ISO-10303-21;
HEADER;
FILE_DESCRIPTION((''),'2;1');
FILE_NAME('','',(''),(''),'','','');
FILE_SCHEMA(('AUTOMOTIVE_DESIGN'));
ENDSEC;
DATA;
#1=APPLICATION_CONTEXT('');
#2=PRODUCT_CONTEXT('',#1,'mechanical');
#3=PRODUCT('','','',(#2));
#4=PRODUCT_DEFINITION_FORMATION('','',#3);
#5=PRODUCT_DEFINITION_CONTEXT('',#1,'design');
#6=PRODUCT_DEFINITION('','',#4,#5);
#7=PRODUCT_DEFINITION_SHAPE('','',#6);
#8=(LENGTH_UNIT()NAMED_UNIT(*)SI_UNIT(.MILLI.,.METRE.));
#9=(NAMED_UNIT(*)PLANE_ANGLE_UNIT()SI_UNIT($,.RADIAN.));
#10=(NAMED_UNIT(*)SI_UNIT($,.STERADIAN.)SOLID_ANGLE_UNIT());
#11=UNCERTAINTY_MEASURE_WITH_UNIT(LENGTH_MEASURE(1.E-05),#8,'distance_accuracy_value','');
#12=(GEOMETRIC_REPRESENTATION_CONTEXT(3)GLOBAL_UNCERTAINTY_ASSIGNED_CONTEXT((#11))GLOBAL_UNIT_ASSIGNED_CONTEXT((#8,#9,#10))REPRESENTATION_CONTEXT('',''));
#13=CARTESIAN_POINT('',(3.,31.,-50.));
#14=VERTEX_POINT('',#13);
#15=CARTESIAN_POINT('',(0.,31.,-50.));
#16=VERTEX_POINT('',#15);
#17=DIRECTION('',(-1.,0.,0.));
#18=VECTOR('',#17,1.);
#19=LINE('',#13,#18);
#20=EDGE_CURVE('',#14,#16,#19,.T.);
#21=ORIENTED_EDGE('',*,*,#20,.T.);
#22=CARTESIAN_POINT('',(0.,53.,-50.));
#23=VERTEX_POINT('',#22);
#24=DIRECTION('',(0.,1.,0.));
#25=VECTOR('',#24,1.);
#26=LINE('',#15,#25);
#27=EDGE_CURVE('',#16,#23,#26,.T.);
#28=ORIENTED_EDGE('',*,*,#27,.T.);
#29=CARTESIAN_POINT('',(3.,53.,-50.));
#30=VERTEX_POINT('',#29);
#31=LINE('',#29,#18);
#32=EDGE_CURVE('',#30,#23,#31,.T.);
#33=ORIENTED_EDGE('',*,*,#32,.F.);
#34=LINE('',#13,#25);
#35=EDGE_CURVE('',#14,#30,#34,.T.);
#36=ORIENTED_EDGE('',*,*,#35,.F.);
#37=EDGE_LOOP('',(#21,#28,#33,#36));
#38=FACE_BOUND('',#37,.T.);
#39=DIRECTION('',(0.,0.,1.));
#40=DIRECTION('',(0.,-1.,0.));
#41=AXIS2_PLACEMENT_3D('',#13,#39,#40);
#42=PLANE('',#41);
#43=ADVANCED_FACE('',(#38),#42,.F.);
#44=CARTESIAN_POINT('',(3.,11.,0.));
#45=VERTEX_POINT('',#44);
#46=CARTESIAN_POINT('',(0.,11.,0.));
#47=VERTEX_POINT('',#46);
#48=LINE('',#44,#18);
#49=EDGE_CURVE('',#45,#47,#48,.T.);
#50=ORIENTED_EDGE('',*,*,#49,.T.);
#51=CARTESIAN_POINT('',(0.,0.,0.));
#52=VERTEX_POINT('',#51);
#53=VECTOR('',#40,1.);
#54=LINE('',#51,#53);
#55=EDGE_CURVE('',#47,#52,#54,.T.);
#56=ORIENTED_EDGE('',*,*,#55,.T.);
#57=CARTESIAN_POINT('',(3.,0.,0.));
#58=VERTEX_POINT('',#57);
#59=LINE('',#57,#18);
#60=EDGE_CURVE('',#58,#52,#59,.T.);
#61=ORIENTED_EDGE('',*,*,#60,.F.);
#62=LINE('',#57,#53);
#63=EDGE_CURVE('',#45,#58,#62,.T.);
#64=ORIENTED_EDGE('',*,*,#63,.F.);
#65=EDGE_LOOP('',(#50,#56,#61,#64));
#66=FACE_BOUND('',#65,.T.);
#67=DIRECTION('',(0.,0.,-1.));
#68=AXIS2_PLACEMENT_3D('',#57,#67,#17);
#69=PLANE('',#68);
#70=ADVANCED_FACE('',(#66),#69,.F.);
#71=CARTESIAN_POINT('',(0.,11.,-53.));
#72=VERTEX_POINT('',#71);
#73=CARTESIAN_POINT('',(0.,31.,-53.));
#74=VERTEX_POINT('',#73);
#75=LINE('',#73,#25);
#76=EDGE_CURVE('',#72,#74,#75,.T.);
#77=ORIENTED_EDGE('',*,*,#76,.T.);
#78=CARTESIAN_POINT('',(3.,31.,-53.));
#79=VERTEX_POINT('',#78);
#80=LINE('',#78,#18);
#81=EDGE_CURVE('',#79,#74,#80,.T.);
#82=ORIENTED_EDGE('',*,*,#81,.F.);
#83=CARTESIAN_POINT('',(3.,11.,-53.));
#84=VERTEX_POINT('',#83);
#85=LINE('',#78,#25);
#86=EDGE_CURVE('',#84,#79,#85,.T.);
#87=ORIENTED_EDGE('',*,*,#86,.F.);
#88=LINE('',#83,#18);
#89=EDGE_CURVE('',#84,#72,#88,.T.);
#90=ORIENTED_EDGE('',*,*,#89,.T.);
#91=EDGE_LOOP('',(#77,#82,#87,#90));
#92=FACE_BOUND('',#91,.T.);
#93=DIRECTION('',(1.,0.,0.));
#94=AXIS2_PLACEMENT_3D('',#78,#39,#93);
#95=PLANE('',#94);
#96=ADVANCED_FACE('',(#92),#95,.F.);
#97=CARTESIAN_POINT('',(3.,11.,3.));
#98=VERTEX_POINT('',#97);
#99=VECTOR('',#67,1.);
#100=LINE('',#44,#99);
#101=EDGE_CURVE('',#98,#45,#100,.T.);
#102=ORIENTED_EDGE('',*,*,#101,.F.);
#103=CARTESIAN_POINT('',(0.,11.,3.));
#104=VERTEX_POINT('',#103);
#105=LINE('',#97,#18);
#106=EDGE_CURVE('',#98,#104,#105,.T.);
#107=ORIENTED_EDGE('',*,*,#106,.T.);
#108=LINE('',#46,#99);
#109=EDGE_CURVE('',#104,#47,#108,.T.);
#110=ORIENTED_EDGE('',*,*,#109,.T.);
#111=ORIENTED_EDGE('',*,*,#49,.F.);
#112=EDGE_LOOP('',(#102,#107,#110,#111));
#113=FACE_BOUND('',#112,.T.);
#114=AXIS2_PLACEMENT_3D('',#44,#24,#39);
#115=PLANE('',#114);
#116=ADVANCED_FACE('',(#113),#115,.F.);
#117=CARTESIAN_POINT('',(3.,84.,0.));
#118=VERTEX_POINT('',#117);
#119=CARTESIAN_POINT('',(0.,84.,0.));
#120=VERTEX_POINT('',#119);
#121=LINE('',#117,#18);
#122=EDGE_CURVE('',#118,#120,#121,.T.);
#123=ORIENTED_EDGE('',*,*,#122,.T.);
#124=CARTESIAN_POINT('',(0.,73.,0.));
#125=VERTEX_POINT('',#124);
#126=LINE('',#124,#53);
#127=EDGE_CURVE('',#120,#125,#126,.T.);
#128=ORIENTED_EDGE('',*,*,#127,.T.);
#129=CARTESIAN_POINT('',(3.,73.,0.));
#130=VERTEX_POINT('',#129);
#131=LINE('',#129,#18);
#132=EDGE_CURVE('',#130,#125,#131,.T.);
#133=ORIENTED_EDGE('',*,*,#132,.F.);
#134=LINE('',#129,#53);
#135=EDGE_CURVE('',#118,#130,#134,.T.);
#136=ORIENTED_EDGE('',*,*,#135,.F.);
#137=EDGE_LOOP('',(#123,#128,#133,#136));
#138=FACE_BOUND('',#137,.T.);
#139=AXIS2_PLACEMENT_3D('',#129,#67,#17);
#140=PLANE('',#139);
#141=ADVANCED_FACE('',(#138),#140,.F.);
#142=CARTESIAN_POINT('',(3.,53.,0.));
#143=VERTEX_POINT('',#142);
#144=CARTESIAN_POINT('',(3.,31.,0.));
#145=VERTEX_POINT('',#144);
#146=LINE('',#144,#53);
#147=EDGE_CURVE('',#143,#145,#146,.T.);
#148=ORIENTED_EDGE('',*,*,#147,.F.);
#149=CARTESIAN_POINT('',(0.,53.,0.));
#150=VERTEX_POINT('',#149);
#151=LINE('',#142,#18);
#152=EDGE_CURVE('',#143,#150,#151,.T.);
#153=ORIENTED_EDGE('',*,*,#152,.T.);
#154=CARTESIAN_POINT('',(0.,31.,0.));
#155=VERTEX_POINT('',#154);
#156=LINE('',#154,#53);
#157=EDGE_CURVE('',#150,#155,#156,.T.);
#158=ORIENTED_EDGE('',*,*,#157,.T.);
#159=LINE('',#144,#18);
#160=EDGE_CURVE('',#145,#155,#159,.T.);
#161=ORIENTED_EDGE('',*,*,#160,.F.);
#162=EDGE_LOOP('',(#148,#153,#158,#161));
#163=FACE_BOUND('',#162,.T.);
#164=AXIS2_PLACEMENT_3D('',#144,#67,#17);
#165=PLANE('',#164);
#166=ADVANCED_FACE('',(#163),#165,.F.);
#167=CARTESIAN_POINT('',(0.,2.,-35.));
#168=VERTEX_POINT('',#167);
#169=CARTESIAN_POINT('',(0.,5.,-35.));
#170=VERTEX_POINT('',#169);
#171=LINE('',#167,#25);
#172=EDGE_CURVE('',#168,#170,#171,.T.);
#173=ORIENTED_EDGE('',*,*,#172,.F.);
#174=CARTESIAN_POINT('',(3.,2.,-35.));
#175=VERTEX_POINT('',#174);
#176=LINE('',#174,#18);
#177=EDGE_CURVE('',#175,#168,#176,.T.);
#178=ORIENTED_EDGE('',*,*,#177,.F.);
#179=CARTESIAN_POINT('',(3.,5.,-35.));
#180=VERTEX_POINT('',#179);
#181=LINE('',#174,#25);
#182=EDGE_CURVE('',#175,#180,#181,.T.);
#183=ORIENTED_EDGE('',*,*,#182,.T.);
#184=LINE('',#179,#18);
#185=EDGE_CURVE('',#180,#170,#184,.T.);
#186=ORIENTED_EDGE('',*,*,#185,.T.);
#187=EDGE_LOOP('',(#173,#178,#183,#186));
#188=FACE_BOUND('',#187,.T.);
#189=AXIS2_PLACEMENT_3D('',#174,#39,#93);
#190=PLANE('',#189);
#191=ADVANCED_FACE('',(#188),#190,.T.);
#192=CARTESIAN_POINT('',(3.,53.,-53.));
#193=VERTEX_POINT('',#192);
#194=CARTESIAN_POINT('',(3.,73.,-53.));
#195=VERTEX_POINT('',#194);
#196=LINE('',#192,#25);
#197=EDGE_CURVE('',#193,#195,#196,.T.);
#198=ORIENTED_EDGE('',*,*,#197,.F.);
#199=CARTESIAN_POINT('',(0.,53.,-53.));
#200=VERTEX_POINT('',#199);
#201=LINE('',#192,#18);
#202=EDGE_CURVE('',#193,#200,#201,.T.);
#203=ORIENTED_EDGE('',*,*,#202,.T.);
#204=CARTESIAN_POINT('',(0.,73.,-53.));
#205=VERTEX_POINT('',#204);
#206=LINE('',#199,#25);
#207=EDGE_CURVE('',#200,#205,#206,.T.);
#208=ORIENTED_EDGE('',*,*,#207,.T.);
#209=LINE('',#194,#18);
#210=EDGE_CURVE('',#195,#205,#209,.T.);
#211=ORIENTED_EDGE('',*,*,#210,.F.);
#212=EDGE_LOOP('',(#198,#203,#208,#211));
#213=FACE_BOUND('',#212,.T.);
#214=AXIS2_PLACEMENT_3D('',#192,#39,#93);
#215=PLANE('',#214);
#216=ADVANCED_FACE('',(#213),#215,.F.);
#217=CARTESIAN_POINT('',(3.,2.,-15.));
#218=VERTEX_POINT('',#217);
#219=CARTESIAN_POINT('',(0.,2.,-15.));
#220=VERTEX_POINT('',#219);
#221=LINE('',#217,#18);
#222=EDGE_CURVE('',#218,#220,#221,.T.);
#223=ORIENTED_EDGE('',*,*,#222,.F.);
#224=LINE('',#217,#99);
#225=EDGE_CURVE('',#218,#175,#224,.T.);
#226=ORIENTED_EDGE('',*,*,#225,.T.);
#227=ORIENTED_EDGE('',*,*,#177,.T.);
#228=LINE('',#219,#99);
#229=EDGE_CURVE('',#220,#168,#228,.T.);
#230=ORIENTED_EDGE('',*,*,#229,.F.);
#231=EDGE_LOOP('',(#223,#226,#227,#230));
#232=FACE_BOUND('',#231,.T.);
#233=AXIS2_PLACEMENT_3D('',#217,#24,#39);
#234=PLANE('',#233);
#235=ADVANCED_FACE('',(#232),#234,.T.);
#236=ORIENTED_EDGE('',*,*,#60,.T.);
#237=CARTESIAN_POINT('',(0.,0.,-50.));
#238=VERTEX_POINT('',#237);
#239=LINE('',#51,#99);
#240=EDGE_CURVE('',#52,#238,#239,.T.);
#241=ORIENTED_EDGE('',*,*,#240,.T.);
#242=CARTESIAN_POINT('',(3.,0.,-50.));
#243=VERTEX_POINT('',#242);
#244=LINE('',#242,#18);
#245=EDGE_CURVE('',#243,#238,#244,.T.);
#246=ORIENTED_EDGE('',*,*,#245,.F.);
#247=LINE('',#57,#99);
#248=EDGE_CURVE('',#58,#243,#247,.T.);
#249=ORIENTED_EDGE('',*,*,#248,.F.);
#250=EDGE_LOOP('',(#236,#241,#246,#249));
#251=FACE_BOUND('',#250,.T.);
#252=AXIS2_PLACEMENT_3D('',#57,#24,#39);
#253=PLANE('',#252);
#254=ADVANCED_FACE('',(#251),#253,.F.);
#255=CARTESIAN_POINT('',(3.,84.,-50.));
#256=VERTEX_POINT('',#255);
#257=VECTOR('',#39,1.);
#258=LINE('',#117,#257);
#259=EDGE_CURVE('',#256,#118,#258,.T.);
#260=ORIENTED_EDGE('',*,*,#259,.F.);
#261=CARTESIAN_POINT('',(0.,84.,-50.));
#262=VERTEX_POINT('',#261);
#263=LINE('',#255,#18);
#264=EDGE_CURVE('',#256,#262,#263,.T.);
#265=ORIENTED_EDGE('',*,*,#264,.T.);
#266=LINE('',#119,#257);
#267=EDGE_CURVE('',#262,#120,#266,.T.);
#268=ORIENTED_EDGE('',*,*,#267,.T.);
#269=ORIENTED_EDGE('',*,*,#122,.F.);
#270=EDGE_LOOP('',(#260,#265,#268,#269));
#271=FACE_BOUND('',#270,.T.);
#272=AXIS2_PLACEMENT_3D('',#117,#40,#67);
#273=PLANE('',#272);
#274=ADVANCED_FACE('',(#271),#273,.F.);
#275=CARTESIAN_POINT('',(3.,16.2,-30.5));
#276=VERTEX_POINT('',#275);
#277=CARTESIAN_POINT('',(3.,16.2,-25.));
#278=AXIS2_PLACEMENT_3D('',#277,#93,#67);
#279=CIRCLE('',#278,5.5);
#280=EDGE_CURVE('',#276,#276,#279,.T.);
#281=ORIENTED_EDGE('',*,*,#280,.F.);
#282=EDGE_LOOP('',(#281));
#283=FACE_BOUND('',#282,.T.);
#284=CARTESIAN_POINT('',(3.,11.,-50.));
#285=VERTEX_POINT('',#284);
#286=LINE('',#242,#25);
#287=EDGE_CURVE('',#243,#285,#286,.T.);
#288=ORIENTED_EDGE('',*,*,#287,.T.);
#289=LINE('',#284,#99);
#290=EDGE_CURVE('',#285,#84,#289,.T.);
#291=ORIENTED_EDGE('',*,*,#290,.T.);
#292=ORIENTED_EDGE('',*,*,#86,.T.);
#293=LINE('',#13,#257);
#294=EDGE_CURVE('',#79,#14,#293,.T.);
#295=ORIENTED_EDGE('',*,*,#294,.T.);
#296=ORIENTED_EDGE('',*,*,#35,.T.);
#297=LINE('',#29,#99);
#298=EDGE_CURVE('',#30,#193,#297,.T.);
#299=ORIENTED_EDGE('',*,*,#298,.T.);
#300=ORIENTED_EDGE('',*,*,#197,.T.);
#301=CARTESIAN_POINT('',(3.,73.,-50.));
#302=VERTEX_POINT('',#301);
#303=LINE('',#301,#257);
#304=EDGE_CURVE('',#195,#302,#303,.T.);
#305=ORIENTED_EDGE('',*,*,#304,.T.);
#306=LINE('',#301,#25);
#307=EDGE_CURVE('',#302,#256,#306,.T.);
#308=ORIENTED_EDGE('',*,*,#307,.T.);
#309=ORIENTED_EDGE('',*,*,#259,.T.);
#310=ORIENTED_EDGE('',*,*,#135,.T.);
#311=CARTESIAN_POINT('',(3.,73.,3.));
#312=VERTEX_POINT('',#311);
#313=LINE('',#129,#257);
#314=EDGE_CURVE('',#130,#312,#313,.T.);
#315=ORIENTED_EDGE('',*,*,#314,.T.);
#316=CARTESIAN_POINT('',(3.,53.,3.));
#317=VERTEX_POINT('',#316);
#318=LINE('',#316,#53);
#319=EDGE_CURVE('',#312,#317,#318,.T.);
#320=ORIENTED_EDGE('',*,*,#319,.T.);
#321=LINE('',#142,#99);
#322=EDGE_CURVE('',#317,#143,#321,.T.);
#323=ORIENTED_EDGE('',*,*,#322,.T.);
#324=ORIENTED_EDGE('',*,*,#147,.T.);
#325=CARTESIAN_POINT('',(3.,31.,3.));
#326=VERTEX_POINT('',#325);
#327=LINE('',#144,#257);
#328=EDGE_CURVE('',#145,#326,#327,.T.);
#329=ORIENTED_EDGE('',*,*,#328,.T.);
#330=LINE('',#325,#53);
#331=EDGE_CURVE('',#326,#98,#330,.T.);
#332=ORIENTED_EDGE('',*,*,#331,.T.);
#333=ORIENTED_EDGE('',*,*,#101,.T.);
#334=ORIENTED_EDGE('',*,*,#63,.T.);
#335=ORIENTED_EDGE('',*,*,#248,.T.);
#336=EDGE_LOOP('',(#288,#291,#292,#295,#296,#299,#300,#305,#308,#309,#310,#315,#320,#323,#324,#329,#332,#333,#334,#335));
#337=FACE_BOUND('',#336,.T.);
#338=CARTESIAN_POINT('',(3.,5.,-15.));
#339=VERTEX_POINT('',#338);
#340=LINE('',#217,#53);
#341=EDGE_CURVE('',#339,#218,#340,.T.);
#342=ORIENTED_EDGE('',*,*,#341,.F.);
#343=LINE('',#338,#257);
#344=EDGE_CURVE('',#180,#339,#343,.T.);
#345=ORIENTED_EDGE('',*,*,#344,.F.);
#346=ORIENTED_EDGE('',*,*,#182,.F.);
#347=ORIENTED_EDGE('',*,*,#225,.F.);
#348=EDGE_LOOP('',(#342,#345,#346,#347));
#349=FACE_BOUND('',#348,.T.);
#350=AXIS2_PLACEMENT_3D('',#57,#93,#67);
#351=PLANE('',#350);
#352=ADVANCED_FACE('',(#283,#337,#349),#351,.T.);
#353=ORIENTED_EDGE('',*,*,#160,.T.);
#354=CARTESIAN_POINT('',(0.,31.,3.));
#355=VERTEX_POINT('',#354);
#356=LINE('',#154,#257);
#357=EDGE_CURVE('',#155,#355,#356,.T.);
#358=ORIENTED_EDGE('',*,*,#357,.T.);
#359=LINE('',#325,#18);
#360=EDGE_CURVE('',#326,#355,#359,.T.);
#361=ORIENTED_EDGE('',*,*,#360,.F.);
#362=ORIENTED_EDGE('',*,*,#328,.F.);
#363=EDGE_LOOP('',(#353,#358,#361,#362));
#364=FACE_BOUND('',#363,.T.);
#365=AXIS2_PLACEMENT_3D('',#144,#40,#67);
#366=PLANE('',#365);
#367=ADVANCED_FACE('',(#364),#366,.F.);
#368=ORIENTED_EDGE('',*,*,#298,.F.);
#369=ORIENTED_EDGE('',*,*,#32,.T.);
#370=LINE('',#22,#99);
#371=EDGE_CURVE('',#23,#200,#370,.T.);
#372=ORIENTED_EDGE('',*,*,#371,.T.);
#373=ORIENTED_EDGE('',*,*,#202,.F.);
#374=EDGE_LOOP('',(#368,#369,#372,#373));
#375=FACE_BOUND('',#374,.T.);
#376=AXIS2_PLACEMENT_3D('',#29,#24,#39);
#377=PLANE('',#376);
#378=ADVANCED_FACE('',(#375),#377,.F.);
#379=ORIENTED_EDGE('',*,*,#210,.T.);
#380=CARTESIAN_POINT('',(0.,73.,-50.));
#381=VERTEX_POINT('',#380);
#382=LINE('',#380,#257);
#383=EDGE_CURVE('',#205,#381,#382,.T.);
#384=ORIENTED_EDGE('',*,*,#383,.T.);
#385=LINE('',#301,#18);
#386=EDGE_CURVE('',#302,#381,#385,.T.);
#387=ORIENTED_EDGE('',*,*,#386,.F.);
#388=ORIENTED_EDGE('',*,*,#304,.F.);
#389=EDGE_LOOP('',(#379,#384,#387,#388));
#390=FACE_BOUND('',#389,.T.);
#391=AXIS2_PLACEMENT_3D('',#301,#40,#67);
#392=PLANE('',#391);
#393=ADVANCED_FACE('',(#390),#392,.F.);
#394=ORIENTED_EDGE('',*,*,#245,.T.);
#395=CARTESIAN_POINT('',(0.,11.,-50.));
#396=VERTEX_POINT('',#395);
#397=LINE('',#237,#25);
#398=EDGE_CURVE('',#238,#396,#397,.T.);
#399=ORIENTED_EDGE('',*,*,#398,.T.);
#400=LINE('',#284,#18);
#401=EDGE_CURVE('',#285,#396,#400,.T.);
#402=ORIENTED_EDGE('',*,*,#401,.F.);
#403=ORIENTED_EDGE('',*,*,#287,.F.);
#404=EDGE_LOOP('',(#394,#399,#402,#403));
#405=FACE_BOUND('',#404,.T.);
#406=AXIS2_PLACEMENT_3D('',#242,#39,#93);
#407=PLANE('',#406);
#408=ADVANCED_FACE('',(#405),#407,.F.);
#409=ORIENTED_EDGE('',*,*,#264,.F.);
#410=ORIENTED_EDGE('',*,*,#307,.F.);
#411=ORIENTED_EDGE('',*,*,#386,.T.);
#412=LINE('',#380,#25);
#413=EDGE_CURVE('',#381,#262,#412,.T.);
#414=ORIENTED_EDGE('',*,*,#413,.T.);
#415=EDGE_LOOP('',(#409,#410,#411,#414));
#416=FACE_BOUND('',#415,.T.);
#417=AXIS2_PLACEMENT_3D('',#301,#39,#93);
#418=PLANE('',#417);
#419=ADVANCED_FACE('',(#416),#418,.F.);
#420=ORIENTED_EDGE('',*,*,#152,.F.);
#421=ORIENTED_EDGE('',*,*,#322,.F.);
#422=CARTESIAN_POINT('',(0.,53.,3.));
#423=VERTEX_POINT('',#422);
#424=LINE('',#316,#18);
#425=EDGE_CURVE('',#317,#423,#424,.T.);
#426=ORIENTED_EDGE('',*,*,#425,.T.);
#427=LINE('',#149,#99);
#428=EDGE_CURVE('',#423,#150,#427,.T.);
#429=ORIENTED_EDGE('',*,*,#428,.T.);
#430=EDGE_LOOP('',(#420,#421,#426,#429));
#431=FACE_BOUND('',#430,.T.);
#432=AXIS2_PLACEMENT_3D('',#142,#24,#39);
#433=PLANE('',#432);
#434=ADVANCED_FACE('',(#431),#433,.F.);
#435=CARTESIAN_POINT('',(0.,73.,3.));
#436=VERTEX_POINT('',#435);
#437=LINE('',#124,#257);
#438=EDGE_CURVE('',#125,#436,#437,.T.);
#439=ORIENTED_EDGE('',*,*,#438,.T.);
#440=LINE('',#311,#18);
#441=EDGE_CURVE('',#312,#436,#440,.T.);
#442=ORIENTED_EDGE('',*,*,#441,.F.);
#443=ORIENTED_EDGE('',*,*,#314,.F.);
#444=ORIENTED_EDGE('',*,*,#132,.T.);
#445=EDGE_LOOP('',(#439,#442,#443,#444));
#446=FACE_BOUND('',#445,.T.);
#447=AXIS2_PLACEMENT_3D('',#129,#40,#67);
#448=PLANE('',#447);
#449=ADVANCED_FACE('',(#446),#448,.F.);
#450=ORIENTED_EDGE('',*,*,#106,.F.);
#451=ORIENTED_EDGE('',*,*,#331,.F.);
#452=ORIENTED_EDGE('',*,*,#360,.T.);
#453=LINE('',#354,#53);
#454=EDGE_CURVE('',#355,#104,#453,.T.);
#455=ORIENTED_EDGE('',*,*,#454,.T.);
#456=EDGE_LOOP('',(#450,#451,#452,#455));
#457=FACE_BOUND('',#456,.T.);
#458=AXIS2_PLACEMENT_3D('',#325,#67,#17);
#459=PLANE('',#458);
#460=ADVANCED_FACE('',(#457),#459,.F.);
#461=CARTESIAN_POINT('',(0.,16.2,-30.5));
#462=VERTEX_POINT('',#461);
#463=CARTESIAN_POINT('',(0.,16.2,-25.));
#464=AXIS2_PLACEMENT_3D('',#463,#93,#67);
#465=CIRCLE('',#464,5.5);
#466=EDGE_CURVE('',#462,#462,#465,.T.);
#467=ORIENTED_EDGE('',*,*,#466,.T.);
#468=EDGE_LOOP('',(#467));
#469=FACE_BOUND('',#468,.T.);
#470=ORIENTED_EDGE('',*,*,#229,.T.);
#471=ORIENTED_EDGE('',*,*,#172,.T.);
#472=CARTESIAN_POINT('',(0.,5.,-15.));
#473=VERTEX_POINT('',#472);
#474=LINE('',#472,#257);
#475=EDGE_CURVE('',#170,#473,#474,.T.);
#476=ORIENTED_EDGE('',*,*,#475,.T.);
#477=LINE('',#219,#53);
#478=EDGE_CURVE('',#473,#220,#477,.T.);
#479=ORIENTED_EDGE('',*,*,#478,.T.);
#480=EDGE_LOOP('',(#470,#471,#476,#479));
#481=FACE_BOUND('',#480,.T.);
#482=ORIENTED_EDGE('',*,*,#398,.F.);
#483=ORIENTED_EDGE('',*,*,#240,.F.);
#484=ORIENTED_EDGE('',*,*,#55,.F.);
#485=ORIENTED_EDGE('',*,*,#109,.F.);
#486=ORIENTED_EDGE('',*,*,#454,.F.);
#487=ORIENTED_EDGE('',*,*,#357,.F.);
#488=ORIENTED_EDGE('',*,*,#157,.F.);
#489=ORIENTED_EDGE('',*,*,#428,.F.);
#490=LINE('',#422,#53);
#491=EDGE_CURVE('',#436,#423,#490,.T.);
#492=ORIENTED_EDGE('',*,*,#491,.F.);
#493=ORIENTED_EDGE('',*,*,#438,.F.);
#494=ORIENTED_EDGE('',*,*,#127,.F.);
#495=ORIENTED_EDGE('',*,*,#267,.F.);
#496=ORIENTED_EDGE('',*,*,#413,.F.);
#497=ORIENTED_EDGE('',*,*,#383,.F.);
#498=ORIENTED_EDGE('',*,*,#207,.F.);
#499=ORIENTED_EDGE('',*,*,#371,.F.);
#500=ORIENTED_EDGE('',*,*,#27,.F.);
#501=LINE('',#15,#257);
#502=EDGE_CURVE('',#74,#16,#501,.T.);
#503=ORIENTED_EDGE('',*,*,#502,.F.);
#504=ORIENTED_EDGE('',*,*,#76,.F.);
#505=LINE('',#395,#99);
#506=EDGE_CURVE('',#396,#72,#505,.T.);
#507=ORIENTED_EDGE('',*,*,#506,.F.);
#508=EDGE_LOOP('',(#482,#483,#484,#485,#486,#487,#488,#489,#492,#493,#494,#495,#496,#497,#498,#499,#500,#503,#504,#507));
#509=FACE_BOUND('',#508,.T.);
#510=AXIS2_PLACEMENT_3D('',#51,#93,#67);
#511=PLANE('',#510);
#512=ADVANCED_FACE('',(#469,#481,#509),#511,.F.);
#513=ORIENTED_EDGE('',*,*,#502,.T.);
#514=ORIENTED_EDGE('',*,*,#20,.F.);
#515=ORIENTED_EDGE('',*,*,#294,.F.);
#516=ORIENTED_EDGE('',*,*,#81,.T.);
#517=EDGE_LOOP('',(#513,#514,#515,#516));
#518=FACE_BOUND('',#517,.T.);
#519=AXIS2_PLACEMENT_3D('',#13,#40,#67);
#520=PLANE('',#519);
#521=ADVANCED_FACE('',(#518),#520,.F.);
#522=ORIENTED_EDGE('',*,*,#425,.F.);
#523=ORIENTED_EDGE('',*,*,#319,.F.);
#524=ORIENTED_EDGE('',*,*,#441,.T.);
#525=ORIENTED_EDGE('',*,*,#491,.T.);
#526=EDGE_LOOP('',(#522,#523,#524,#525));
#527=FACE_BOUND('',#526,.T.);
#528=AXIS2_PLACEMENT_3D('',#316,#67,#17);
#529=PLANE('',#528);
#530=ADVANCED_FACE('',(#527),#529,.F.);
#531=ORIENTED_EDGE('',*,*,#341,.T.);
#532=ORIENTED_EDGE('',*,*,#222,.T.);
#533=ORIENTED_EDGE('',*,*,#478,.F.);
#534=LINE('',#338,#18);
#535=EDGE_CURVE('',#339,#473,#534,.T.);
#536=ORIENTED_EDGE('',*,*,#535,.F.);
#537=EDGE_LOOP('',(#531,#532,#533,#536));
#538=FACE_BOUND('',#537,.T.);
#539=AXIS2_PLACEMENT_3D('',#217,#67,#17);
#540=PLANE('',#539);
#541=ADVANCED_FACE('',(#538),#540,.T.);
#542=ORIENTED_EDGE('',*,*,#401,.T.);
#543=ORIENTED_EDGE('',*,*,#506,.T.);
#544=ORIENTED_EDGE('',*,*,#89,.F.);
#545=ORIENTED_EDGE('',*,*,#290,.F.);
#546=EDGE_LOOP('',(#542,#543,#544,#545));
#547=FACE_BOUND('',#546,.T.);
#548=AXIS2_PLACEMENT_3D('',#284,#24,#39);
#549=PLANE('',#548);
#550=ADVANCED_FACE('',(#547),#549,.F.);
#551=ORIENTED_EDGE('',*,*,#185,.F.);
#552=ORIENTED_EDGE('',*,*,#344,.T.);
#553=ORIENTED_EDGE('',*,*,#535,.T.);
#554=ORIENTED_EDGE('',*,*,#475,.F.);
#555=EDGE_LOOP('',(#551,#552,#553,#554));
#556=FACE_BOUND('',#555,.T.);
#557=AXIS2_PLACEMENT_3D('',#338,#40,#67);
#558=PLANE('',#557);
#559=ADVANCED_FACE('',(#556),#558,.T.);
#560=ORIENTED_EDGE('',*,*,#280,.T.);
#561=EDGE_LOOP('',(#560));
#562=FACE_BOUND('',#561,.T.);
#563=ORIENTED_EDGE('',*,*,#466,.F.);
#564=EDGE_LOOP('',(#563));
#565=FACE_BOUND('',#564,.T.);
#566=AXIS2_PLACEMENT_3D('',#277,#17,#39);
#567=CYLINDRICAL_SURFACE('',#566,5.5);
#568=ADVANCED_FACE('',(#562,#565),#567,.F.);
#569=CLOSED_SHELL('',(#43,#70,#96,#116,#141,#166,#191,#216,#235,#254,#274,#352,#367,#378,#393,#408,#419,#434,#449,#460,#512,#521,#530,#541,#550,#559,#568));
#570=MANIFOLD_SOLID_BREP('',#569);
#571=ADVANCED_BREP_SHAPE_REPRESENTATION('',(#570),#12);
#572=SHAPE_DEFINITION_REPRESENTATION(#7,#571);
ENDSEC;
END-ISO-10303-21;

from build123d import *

# Parameters (mm, degrees)
SKETCH1_R           = 5.5
SKETCH1_W           = 20
SKETCH1_H           = 3
BOSS_EXTRUDE2_DEPTH = 3


with BuildPart() as part:
    # Sketch1 → Boss-Extrude2 (new body)
    with BuildSketch(Plane(origin=(0, 0, 0), x_dir=(0, 0, -1), z_dir=(1, 0, 0))):
        Polygon((0, 0), (50, 0), (50, 11), (53, 11), (53, 31), (50, 31), (50, 53), (53, 53), (53, 73), (50, 73), (50, 84), (0, 84), (0, 73), (-3, 73), (-3, 53), (0, 53), (0, 31), (-3, 31), (-3, 11), (0, 11), align=None)
        with Locations((25, 16.2)):
            Circle(SKETCH1_R, mode=Mode.SUBTRACT)
        with Locations((25, 3.5)):
            Rectangle(SKETCH1_W, SKETCH1_H, mode=Mode.SUBTRACT)
    extrude(amount=BOSS_EXTRUDE2_DEPTH)


solid = part.part
